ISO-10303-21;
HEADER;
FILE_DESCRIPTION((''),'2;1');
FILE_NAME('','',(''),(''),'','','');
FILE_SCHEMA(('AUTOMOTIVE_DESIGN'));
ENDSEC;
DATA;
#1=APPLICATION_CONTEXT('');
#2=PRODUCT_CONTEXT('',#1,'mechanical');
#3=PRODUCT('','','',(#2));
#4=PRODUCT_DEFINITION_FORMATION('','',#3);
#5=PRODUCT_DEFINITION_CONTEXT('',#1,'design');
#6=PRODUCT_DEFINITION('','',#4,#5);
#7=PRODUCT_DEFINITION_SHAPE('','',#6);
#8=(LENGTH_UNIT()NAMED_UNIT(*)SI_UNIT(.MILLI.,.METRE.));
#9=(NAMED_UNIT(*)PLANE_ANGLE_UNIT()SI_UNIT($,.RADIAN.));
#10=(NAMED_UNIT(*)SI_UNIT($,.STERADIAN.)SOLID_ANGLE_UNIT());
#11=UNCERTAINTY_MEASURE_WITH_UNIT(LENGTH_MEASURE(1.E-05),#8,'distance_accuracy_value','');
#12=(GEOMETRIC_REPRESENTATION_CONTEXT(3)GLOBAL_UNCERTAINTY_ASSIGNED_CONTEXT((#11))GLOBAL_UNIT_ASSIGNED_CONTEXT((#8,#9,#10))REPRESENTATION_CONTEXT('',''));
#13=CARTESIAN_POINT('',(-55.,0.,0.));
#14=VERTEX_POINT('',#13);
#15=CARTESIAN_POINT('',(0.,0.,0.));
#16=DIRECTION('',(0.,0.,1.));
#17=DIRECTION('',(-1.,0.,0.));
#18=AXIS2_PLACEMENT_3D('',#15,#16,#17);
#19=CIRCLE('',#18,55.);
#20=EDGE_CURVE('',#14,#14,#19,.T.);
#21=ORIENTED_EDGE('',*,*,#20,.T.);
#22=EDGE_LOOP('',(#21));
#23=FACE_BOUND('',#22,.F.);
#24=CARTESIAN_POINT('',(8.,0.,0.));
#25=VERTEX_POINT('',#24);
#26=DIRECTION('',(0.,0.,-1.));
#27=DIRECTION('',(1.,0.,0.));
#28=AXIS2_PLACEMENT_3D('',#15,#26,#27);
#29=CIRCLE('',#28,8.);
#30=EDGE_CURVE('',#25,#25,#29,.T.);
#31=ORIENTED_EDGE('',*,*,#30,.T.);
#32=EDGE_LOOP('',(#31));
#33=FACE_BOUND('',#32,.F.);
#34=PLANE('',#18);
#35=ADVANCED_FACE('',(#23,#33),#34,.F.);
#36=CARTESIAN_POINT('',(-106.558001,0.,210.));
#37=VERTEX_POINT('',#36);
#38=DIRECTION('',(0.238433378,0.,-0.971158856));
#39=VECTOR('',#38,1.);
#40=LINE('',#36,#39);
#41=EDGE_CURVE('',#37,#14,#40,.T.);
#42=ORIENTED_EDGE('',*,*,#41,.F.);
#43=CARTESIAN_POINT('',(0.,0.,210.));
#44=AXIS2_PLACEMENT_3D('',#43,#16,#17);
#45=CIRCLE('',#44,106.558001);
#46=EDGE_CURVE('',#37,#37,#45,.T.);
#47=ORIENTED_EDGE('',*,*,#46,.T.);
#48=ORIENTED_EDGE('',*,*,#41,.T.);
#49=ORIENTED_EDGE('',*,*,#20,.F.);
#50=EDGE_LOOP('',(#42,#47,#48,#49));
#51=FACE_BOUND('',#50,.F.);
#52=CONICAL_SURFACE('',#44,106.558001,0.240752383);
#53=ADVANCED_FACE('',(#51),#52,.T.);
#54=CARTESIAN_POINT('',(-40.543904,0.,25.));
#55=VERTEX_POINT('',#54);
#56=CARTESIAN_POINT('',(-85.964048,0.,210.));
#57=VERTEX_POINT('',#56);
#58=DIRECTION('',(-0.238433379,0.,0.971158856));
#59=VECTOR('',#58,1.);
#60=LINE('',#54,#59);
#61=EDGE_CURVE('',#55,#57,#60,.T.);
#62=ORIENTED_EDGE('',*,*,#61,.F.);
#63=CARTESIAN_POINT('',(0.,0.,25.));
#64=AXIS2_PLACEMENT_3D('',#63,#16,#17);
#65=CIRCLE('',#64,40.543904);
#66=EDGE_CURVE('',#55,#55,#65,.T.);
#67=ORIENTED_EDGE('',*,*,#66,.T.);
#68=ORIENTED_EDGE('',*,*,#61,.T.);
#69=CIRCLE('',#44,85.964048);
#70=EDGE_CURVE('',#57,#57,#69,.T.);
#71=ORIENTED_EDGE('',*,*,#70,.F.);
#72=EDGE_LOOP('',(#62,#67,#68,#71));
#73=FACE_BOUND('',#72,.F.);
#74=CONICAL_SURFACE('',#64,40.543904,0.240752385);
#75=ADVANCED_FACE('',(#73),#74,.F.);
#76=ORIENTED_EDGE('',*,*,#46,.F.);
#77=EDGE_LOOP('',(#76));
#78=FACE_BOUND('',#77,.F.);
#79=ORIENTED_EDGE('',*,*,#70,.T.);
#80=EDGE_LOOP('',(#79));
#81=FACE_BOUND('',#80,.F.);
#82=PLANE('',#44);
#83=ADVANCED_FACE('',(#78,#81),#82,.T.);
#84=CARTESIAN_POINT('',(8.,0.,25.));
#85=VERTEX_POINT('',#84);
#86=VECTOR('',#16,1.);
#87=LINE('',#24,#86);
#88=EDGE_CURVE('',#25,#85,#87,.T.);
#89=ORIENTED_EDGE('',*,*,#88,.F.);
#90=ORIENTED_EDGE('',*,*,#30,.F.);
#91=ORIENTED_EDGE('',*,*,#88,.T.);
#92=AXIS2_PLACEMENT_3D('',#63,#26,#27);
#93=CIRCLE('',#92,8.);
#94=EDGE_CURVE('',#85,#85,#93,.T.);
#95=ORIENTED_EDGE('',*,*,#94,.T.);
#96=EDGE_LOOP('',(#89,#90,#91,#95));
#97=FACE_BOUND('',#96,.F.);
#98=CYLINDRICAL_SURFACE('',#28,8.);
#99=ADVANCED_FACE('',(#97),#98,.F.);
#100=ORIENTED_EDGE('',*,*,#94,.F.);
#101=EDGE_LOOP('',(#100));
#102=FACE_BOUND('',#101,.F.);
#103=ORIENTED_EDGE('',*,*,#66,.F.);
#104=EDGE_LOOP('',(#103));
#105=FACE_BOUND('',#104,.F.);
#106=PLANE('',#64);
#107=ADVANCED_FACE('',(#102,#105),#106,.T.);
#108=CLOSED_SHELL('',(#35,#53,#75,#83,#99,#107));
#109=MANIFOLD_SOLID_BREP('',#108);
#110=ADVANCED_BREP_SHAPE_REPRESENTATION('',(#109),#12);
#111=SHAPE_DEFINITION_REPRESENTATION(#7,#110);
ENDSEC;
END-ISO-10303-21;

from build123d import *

# Parameters (mm, degrees)
F3_R     = 8
F4_DEPTH = 25


with BuildPart() as f2:
    # F1 (on Front) → F2 (revolve)
    with BuildSketch(Plane.XZ):
        Polygon((-55, 0), (0, 0), (0, 25), (-40.543904, 25), (-85.964048, 210), (-106.558001, 210), align=None)
    revolve(axis=Axis((0, 0, 105), (0, 0, 1)))

    # F3 (on face) → F4 (cut)
    with BuildSketch(Plane(origin=(0, 0, 0), x_dir=(1, 0, 0), z_dir=(0, 0, -1))):
        Circle(F3_R)
    extrude(amount=-F4_DEPTH, mode=Mode.SUBTRACT)


solid = f2.part
